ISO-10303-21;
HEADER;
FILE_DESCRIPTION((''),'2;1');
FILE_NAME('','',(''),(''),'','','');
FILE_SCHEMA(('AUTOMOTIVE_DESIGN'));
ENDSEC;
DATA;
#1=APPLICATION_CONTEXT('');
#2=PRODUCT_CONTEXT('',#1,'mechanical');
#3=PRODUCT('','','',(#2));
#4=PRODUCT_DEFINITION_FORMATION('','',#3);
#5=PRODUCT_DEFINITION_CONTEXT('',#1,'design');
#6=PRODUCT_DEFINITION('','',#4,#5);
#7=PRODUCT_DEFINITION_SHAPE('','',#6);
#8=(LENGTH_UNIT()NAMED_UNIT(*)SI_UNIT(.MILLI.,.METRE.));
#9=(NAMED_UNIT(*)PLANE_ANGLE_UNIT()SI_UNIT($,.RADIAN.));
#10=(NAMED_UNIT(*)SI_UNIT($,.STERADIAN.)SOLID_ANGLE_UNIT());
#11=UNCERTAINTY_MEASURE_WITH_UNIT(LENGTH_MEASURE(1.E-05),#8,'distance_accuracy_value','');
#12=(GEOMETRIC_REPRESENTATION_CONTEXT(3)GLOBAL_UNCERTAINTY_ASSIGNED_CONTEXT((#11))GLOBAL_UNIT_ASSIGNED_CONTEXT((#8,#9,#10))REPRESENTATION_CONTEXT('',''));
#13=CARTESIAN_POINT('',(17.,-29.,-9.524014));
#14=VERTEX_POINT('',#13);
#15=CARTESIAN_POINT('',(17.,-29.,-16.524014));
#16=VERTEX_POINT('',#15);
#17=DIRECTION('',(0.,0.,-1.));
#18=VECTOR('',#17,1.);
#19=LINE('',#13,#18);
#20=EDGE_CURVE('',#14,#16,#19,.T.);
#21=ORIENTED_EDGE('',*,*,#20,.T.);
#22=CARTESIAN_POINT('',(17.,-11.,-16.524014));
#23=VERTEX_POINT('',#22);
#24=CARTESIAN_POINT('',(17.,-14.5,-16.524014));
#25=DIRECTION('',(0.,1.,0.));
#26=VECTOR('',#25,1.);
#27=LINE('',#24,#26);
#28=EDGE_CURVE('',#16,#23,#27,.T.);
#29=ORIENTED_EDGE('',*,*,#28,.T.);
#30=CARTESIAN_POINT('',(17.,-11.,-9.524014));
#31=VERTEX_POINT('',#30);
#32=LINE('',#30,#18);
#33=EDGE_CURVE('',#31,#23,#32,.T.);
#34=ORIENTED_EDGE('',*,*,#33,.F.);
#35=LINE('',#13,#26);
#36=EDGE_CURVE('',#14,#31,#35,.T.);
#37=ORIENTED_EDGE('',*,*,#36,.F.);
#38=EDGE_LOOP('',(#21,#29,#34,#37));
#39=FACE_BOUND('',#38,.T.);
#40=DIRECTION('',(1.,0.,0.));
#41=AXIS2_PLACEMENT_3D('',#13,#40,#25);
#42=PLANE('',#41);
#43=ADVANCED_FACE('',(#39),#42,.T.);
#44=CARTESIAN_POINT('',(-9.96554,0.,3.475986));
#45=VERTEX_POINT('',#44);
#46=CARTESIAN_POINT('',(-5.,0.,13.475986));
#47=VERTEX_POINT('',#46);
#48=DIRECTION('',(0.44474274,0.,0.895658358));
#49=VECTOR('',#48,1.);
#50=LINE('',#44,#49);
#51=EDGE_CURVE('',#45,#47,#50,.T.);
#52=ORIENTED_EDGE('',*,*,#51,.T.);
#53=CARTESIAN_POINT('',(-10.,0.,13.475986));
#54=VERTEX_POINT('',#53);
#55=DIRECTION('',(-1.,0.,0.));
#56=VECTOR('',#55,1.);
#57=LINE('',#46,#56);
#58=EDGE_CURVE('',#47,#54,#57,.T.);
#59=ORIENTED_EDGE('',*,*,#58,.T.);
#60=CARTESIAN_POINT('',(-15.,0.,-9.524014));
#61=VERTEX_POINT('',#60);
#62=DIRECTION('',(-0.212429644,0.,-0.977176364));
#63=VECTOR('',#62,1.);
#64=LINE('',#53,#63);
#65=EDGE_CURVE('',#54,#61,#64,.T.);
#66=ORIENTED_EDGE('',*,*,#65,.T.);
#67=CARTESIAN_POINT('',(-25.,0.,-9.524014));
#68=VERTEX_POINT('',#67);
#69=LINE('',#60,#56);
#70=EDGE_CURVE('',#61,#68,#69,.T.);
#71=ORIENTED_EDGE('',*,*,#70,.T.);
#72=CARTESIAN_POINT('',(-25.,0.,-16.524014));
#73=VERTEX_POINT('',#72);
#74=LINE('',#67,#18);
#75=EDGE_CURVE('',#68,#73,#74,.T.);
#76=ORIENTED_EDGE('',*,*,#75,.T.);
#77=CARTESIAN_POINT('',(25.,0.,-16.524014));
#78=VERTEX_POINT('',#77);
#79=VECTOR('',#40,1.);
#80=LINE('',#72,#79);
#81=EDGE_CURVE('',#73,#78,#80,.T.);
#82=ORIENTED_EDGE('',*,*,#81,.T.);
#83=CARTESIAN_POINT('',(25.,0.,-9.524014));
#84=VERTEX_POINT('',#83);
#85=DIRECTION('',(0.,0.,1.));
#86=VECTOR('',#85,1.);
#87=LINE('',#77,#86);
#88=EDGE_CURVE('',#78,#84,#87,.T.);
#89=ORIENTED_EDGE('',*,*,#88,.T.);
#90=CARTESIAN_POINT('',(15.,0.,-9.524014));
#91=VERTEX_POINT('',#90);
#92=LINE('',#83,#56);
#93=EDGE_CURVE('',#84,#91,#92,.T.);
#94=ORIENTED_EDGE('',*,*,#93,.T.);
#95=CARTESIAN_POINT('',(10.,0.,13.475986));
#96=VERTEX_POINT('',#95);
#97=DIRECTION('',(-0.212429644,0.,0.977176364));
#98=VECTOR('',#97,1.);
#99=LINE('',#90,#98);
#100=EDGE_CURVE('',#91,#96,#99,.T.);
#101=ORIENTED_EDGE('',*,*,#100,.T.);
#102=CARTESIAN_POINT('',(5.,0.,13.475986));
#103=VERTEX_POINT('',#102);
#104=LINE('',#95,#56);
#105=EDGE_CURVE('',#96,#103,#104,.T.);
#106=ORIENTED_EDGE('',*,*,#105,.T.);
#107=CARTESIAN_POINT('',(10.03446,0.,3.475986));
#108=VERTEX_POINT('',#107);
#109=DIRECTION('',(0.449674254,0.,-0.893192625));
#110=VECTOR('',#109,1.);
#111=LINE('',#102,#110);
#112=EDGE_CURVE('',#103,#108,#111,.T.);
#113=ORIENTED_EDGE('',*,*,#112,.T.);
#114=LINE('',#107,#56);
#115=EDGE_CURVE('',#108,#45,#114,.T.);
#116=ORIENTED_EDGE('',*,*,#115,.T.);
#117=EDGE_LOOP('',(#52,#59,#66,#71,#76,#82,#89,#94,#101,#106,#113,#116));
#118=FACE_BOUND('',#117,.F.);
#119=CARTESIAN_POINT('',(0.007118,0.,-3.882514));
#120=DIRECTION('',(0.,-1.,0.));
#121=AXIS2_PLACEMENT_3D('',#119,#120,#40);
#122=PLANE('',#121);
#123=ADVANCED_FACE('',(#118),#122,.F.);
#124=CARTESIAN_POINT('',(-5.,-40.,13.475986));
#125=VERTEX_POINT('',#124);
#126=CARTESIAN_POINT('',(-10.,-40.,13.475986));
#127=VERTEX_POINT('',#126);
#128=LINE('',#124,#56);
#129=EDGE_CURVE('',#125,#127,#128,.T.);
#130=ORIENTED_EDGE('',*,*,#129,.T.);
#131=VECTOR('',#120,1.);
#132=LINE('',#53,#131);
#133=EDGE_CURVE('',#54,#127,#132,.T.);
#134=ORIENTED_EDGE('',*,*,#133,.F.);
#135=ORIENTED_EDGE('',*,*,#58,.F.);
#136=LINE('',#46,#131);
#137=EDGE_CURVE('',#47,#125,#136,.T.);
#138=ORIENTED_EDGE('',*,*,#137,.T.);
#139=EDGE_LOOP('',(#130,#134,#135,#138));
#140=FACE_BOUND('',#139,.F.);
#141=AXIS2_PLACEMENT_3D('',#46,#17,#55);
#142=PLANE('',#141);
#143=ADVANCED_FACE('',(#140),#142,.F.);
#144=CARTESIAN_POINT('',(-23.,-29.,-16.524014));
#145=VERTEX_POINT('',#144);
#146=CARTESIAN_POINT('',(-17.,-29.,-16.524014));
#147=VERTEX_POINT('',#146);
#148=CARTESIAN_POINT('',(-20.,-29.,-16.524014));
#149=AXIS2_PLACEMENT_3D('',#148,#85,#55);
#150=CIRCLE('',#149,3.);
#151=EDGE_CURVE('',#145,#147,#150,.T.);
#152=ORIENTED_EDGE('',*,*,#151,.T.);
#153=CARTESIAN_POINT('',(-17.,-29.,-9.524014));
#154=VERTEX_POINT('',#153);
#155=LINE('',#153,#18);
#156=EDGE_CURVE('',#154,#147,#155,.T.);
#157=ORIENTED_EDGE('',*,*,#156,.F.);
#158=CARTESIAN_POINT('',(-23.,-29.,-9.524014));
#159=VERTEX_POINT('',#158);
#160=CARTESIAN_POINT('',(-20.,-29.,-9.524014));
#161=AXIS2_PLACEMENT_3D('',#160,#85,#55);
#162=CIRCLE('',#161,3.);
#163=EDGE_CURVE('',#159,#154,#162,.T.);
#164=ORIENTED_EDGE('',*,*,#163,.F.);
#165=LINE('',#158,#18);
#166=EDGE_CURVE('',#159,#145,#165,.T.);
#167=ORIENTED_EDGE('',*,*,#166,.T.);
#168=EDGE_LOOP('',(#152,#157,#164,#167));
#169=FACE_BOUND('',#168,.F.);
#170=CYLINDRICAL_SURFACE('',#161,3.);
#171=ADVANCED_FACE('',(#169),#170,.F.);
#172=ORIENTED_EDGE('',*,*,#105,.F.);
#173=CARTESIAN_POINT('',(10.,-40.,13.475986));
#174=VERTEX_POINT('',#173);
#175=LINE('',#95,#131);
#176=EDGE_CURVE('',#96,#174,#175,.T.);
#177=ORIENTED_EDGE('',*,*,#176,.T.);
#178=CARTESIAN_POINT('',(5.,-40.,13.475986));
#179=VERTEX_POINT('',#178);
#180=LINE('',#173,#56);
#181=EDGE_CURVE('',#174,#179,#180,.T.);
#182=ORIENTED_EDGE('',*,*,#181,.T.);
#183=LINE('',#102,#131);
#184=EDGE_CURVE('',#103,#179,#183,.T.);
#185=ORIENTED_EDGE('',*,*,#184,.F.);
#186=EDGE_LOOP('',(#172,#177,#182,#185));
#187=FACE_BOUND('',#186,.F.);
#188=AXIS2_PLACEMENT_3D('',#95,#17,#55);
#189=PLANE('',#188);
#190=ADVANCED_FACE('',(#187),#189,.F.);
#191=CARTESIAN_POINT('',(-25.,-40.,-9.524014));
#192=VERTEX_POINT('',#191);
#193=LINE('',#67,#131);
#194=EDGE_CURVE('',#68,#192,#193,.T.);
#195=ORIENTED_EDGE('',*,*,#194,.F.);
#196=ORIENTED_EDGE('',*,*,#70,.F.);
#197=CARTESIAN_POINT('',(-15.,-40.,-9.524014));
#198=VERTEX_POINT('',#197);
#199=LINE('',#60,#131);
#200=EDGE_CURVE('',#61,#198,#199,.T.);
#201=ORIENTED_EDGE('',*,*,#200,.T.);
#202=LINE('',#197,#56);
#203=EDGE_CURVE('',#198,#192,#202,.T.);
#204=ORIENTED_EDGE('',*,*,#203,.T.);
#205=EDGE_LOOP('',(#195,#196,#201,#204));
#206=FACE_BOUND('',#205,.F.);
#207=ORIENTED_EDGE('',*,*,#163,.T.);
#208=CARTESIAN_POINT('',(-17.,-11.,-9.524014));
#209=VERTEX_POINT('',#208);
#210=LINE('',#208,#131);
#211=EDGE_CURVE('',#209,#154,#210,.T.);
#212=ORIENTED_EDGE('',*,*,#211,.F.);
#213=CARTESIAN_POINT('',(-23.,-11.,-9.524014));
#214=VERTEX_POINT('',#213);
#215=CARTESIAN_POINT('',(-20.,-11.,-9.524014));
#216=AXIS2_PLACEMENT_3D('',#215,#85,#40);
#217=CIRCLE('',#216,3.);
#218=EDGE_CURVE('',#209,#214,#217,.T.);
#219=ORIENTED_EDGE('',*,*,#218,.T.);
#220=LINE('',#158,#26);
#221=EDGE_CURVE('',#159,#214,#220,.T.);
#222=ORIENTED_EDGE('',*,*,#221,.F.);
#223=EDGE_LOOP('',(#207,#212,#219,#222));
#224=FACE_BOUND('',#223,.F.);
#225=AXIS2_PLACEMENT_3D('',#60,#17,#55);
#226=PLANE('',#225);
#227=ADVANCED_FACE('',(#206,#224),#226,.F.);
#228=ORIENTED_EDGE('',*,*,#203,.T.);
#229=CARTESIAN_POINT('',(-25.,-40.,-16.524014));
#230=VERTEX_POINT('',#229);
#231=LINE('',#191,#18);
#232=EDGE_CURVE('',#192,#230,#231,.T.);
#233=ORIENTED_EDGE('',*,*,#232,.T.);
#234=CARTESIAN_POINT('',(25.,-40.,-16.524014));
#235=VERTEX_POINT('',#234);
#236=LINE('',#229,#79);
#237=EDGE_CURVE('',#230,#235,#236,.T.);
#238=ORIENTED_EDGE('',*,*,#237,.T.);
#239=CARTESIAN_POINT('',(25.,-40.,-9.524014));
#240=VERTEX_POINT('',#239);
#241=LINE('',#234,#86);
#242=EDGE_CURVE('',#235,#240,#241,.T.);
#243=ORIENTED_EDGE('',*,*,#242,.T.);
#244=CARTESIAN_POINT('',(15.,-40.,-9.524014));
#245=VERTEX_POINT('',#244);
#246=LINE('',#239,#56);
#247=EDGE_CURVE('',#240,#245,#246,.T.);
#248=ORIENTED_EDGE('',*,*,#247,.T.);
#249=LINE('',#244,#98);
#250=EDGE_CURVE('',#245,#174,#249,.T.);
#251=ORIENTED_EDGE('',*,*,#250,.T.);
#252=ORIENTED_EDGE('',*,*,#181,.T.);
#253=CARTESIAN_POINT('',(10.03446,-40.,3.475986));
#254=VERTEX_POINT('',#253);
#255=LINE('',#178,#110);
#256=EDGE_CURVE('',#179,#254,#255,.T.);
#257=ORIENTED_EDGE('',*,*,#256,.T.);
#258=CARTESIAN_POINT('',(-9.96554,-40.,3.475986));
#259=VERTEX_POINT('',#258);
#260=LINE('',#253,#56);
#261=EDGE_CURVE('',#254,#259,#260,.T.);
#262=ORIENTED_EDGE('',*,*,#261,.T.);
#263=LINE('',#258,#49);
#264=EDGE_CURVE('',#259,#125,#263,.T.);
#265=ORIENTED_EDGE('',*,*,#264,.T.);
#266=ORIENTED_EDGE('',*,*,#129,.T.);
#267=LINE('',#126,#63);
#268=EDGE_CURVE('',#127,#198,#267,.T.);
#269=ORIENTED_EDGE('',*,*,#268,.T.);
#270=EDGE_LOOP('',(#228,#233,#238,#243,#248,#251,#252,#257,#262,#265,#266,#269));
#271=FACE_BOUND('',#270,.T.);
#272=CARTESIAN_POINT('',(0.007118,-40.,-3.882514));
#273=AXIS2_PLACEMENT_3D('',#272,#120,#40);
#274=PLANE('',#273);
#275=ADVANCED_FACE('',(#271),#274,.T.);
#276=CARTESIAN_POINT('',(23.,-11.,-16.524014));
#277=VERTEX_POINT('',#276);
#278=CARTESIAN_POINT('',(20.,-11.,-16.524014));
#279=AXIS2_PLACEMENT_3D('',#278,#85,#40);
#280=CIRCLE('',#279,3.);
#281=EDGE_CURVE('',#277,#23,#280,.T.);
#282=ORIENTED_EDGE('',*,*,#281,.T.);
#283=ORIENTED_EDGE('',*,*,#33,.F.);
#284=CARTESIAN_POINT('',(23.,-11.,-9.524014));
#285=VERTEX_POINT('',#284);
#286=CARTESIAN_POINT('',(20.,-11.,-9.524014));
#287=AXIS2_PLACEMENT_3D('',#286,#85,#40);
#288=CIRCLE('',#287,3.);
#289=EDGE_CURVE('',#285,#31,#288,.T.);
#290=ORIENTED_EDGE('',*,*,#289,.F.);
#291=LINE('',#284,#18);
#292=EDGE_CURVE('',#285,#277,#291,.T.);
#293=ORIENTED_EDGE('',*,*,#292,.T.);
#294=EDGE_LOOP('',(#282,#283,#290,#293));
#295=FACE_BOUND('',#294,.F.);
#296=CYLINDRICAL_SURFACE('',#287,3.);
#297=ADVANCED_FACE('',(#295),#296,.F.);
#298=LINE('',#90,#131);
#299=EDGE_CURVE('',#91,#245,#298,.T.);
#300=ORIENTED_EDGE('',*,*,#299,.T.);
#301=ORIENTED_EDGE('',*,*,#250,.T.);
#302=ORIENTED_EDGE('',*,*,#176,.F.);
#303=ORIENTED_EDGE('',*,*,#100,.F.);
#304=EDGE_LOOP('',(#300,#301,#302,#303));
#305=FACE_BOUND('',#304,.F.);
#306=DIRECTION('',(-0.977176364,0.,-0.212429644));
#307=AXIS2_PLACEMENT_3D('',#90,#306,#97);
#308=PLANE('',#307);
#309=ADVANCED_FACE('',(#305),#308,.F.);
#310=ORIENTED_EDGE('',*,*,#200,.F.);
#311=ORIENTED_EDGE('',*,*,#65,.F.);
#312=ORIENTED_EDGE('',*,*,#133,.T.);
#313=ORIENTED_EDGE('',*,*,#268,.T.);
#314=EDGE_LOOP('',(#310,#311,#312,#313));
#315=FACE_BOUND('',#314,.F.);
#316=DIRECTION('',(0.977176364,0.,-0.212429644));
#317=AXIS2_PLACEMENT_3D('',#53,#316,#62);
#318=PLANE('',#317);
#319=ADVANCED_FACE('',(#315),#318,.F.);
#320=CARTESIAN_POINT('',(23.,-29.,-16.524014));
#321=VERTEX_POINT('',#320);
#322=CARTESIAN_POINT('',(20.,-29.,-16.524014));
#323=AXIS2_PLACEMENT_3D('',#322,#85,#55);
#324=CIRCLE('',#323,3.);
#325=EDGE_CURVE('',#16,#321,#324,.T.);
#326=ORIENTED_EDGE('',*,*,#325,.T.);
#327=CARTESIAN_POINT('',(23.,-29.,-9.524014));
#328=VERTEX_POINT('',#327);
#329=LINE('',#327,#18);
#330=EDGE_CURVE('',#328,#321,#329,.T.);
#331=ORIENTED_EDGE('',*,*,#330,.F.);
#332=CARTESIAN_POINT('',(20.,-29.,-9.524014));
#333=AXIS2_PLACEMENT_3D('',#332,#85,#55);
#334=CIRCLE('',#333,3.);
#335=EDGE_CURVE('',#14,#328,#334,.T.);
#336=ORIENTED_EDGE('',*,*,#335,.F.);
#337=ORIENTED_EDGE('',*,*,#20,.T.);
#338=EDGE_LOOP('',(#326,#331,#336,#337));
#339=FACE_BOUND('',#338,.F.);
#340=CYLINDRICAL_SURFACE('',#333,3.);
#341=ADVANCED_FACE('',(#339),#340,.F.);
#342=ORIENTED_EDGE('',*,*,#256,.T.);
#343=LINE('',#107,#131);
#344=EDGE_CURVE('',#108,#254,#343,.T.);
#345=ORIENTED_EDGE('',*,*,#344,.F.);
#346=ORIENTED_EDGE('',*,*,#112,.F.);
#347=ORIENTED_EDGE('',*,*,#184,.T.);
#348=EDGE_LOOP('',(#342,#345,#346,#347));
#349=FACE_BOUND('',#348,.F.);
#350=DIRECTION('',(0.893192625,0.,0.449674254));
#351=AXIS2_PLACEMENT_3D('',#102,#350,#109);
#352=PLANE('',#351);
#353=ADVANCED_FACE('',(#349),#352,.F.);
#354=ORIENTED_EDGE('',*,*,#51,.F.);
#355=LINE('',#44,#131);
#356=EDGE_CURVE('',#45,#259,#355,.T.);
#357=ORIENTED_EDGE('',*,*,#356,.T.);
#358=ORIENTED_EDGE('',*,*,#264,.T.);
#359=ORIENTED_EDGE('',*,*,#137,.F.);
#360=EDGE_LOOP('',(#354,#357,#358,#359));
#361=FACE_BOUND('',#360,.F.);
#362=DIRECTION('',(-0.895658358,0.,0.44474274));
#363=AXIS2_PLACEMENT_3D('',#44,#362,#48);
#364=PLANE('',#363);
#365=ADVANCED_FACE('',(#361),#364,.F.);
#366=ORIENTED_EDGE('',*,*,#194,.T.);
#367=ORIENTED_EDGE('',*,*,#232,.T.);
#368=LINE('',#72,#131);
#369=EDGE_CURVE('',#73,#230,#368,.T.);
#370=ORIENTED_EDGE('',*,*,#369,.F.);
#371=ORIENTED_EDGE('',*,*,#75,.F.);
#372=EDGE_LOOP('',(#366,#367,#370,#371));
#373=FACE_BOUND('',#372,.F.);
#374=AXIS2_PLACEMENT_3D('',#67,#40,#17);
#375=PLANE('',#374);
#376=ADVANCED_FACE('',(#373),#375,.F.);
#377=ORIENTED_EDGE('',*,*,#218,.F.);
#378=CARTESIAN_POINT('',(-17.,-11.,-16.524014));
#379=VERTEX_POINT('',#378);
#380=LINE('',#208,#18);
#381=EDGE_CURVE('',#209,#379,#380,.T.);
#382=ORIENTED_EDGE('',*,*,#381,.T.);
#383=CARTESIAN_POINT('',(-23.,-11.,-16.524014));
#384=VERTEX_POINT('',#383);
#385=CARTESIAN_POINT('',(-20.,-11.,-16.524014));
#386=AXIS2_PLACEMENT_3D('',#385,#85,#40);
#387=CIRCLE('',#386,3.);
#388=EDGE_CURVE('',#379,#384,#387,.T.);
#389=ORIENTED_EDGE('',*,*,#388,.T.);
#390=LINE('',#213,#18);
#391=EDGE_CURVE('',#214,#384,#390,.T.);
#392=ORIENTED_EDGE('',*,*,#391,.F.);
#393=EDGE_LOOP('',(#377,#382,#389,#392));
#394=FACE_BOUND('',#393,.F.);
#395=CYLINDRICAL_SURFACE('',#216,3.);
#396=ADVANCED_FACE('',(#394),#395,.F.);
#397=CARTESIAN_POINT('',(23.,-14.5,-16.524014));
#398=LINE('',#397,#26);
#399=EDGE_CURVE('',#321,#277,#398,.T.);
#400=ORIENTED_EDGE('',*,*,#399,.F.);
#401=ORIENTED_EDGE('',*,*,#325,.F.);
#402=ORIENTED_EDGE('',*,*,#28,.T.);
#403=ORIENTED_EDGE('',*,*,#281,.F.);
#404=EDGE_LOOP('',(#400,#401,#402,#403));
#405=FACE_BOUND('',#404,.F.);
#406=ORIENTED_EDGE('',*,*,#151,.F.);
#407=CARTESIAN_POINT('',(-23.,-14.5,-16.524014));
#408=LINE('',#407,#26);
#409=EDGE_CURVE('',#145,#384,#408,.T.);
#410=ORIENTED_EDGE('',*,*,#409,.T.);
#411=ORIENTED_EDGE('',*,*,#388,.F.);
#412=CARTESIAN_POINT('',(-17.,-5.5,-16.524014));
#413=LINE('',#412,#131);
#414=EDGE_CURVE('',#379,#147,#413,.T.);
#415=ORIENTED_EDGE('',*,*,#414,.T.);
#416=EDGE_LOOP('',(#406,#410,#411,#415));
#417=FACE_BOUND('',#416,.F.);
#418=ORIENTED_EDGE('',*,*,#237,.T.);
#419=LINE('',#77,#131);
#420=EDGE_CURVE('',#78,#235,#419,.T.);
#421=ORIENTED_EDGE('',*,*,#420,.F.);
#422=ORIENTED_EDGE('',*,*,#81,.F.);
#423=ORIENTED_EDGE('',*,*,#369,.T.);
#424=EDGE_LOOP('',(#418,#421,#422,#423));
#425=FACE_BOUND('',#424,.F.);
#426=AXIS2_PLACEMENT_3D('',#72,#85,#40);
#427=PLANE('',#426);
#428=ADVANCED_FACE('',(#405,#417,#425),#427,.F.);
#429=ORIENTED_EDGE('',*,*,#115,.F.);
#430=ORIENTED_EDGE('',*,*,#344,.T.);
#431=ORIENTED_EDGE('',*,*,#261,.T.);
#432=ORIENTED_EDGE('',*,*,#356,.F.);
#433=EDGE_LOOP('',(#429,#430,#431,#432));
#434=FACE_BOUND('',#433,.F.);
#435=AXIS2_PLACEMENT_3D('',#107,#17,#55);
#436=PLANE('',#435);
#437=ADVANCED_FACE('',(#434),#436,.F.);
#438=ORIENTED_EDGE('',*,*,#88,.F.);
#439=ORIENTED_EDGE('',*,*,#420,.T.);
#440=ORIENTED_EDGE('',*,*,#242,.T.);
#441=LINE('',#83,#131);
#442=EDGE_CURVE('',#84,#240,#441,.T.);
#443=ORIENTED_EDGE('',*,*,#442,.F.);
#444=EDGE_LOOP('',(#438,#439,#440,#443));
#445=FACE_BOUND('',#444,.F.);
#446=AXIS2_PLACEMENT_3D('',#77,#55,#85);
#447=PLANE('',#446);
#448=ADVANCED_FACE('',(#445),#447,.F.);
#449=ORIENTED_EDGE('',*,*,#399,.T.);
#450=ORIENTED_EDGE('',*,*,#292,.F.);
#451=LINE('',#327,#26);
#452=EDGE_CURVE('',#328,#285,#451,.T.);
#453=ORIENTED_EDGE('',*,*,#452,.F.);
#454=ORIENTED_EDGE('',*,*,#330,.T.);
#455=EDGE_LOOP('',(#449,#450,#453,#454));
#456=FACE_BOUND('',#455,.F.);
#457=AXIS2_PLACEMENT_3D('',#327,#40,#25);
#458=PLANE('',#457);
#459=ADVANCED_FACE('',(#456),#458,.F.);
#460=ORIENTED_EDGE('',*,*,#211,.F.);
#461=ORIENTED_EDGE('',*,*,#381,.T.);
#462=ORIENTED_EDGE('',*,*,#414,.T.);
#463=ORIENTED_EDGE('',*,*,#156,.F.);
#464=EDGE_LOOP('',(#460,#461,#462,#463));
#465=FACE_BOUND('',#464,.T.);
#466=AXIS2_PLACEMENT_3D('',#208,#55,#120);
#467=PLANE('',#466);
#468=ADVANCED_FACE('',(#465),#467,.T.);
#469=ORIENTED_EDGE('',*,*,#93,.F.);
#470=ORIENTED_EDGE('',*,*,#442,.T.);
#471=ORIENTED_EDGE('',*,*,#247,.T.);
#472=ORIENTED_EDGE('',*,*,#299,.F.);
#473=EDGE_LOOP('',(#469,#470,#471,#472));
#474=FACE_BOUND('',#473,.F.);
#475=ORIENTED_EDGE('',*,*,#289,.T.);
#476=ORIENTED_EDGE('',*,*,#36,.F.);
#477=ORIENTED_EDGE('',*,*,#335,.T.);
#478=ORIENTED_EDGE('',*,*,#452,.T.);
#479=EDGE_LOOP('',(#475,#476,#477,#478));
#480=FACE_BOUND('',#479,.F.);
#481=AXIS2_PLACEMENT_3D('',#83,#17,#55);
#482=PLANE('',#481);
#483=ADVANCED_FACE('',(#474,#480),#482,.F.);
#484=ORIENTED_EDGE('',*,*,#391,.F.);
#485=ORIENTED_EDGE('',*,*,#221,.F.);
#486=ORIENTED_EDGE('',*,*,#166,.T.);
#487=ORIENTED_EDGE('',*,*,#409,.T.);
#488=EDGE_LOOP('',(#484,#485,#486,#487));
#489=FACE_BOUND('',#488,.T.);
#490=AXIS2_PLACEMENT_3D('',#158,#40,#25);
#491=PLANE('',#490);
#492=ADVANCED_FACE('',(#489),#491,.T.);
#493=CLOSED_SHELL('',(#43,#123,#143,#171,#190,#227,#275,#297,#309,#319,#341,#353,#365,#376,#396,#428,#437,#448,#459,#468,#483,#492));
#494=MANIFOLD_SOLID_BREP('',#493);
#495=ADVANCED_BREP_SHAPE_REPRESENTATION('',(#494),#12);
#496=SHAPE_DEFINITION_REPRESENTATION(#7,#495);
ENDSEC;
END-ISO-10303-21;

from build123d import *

# Parameters (mm, degrees)
PAD_DEPTH       = 40
POCKET_DEPTH    = 7.001
POCKET001_DEPTH = 7.001


with BuildPart() as part:
    # Sketch → Pad (new body)
    with BuildSketch(Plane.XZ):
        Polygon((-25, -16.524014), (25, -16.524014), (25, -9.524014), (15, -9.524014), (10, 13.475986), (5, 13.475986), (10.03446, 3.475986), (-9.96554, 3.475986), (-5, 13.475986), (-10, 13.475986), (-15, -9.524014), (-25, -9.524014), align=None)
    extrude(amount=PAD_DEPTH)

    # Sketch001 → Pocket (cut, through all)
    with BuildSketch(Plane(origin=(0, 0, -9.524014), x_dir=(-1, 0, 0), z_dir=(0, 0, 1))):
        with BuildLine():
            ThreePointArc((-17, 29), (-20, 32), (-23, 29))
            Line((-23, 29), (-23, 11))
            ThreePointArc((-23, 11), (-20, 8), (-17, 11))
            Line((-17, 29), (-17, 11))
        make_face()
    extrude(amount=-POCKET_DEPTH, mode=Mode.SUBTRACT)

    # Sketch002 → Pocket001 (cut, through all)
    with BuildSketch(Plane(origin=(0, 0, -9.524014), x_dir=(-1, 0, 0), z_dir=(0, 0, 1))):
        with BuildLine():
            ThreePointArc((23, 29), (20, 32), (17, 29))
            Line((17, 11), (17, 29))
            ThreePointArc((17, 11), (20, 8), (23, 11))
            Line((23, 29), (23, 11))
        make_face()
    extrude(amount=-POCKET001_DEPTH, mode=Mode.SUBTRACT)


solid = part.part
